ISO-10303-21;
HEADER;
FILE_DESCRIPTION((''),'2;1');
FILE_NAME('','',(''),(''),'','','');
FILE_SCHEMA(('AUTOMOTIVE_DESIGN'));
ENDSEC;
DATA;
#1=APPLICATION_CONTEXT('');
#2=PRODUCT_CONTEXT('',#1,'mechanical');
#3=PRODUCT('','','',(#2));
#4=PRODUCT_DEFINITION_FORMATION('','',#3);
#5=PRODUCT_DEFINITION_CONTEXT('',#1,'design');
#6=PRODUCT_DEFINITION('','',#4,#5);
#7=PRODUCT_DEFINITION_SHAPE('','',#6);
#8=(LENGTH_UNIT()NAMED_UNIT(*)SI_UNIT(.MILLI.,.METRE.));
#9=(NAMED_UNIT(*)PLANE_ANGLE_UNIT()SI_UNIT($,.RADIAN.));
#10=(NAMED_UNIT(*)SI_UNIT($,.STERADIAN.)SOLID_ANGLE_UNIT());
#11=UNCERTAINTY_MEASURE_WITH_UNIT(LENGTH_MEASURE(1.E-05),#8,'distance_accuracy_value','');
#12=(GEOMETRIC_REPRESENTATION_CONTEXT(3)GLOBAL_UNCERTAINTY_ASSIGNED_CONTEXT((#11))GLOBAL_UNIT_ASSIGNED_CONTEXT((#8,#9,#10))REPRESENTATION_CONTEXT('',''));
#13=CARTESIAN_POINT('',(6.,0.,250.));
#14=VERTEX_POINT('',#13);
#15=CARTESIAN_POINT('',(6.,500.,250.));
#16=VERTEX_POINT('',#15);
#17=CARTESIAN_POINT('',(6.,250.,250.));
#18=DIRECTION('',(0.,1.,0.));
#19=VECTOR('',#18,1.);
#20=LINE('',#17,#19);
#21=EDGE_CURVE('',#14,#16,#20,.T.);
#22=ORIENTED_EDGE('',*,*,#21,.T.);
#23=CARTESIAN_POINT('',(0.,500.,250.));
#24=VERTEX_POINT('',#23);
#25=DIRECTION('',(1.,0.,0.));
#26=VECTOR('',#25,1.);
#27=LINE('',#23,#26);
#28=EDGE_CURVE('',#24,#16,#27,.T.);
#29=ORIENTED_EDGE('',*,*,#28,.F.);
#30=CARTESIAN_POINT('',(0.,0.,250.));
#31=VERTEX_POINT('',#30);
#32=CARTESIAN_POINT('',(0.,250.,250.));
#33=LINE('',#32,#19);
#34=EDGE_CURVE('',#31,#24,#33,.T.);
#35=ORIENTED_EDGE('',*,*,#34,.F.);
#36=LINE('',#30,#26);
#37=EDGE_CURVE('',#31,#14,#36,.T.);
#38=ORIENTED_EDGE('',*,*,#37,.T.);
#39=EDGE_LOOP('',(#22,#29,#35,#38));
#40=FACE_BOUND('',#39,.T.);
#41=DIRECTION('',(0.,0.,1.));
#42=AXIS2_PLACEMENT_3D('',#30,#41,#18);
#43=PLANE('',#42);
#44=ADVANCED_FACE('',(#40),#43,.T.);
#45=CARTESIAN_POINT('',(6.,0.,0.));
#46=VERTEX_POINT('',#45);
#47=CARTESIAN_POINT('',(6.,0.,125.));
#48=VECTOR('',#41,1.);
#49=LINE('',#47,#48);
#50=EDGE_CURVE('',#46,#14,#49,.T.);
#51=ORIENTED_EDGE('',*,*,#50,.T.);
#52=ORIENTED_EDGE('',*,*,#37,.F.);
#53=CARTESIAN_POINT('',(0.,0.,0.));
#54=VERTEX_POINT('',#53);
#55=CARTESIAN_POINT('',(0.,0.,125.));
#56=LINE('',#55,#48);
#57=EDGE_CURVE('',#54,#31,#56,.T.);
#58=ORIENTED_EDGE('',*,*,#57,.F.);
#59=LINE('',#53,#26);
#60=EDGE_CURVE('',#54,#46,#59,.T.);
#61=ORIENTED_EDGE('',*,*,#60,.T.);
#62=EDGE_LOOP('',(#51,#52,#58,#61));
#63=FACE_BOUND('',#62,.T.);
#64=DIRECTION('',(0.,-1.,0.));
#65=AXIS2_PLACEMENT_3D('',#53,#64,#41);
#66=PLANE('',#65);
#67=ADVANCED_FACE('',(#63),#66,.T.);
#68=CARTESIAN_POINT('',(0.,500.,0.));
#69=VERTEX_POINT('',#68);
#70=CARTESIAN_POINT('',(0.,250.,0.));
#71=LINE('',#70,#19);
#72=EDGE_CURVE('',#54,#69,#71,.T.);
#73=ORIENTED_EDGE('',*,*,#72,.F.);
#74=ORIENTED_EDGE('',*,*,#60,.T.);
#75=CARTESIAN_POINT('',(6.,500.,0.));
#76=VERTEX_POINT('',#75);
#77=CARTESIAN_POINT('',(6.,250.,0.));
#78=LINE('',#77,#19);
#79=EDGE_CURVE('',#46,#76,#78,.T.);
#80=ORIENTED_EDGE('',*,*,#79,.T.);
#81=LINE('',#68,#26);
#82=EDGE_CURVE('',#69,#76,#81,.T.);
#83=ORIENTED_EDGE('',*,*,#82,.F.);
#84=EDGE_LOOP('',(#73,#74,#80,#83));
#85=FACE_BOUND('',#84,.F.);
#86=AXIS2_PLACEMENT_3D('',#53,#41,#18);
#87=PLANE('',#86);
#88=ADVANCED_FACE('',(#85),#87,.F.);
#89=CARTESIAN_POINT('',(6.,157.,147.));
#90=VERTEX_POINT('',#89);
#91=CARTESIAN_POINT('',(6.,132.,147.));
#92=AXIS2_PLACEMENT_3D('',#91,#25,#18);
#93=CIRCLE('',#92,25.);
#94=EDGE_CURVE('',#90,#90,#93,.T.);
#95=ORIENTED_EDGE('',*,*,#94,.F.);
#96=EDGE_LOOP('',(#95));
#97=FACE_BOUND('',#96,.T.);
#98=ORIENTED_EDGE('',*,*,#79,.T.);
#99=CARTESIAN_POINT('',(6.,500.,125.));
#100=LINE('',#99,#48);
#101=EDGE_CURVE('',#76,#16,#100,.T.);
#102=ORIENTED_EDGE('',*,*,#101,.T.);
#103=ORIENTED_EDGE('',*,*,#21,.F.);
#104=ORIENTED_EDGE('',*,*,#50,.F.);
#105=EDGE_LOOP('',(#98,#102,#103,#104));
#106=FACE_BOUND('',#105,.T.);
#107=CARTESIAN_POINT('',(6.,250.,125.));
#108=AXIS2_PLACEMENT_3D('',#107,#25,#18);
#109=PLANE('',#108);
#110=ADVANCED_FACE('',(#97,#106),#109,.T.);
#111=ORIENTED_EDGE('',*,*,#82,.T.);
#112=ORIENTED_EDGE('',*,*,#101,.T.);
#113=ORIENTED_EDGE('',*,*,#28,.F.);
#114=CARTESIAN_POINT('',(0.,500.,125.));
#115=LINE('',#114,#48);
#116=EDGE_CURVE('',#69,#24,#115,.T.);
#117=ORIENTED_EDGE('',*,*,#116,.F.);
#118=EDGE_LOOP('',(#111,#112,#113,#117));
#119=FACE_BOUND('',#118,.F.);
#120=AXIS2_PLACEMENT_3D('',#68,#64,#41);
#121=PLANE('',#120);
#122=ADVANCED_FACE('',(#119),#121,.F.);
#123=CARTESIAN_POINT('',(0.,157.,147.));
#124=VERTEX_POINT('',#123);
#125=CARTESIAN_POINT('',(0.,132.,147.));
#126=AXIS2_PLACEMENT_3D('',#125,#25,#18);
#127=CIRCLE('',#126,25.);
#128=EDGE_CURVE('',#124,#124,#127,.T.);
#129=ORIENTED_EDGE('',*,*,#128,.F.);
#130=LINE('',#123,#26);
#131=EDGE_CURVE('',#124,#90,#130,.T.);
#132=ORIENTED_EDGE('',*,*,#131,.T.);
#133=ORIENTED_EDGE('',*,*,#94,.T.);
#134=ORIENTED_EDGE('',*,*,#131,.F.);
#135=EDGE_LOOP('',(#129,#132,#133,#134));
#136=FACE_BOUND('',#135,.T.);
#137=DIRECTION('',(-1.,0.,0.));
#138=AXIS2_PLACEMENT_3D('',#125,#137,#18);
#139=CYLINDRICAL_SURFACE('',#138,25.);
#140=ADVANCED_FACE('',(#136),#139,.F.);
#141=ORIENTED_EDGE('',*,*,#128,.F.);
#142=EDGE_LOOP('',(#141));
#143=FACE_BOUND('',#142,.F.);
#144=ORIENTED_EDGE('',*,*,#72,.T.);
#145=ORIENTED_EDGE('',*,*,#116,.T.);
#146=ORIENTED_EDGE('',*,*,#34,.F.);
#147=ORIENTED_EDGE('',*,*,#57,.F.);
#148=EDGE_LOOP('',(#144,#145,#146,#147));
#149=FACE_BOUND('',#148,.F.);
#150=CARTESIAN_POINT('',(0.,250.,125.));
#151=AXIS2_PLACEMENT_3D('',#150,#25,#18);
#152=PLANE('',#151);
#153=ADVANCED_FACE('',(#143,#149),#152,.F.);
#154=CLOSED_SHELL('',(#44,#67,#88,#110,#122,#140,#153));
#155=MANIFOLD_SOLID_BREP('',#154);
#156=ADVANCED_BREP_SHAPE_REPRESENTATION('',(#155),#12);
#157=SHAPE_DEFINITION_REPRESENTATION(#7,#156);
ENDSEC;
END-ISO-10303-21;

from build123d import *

# Parameters (mm, degrees)
SKETCH_W  = 500
SKETCH_H  = 250
SKETCH_R  = 25
PAD_DEPTH = 6


with BuildPart() as part:
    # Sketch → Pad (new body)
    with BuildSketch(Plane.YZ):
        with Locations((250, 125)):
            Rectangle(SKETCH_W, SKETCH_H)
        with Locations((132, 147)):
            Circle(SKETCH_R, mode=Mode.SUBTRACT)
    extrude(amount=PAD_DEPTH)


solid = part.part
